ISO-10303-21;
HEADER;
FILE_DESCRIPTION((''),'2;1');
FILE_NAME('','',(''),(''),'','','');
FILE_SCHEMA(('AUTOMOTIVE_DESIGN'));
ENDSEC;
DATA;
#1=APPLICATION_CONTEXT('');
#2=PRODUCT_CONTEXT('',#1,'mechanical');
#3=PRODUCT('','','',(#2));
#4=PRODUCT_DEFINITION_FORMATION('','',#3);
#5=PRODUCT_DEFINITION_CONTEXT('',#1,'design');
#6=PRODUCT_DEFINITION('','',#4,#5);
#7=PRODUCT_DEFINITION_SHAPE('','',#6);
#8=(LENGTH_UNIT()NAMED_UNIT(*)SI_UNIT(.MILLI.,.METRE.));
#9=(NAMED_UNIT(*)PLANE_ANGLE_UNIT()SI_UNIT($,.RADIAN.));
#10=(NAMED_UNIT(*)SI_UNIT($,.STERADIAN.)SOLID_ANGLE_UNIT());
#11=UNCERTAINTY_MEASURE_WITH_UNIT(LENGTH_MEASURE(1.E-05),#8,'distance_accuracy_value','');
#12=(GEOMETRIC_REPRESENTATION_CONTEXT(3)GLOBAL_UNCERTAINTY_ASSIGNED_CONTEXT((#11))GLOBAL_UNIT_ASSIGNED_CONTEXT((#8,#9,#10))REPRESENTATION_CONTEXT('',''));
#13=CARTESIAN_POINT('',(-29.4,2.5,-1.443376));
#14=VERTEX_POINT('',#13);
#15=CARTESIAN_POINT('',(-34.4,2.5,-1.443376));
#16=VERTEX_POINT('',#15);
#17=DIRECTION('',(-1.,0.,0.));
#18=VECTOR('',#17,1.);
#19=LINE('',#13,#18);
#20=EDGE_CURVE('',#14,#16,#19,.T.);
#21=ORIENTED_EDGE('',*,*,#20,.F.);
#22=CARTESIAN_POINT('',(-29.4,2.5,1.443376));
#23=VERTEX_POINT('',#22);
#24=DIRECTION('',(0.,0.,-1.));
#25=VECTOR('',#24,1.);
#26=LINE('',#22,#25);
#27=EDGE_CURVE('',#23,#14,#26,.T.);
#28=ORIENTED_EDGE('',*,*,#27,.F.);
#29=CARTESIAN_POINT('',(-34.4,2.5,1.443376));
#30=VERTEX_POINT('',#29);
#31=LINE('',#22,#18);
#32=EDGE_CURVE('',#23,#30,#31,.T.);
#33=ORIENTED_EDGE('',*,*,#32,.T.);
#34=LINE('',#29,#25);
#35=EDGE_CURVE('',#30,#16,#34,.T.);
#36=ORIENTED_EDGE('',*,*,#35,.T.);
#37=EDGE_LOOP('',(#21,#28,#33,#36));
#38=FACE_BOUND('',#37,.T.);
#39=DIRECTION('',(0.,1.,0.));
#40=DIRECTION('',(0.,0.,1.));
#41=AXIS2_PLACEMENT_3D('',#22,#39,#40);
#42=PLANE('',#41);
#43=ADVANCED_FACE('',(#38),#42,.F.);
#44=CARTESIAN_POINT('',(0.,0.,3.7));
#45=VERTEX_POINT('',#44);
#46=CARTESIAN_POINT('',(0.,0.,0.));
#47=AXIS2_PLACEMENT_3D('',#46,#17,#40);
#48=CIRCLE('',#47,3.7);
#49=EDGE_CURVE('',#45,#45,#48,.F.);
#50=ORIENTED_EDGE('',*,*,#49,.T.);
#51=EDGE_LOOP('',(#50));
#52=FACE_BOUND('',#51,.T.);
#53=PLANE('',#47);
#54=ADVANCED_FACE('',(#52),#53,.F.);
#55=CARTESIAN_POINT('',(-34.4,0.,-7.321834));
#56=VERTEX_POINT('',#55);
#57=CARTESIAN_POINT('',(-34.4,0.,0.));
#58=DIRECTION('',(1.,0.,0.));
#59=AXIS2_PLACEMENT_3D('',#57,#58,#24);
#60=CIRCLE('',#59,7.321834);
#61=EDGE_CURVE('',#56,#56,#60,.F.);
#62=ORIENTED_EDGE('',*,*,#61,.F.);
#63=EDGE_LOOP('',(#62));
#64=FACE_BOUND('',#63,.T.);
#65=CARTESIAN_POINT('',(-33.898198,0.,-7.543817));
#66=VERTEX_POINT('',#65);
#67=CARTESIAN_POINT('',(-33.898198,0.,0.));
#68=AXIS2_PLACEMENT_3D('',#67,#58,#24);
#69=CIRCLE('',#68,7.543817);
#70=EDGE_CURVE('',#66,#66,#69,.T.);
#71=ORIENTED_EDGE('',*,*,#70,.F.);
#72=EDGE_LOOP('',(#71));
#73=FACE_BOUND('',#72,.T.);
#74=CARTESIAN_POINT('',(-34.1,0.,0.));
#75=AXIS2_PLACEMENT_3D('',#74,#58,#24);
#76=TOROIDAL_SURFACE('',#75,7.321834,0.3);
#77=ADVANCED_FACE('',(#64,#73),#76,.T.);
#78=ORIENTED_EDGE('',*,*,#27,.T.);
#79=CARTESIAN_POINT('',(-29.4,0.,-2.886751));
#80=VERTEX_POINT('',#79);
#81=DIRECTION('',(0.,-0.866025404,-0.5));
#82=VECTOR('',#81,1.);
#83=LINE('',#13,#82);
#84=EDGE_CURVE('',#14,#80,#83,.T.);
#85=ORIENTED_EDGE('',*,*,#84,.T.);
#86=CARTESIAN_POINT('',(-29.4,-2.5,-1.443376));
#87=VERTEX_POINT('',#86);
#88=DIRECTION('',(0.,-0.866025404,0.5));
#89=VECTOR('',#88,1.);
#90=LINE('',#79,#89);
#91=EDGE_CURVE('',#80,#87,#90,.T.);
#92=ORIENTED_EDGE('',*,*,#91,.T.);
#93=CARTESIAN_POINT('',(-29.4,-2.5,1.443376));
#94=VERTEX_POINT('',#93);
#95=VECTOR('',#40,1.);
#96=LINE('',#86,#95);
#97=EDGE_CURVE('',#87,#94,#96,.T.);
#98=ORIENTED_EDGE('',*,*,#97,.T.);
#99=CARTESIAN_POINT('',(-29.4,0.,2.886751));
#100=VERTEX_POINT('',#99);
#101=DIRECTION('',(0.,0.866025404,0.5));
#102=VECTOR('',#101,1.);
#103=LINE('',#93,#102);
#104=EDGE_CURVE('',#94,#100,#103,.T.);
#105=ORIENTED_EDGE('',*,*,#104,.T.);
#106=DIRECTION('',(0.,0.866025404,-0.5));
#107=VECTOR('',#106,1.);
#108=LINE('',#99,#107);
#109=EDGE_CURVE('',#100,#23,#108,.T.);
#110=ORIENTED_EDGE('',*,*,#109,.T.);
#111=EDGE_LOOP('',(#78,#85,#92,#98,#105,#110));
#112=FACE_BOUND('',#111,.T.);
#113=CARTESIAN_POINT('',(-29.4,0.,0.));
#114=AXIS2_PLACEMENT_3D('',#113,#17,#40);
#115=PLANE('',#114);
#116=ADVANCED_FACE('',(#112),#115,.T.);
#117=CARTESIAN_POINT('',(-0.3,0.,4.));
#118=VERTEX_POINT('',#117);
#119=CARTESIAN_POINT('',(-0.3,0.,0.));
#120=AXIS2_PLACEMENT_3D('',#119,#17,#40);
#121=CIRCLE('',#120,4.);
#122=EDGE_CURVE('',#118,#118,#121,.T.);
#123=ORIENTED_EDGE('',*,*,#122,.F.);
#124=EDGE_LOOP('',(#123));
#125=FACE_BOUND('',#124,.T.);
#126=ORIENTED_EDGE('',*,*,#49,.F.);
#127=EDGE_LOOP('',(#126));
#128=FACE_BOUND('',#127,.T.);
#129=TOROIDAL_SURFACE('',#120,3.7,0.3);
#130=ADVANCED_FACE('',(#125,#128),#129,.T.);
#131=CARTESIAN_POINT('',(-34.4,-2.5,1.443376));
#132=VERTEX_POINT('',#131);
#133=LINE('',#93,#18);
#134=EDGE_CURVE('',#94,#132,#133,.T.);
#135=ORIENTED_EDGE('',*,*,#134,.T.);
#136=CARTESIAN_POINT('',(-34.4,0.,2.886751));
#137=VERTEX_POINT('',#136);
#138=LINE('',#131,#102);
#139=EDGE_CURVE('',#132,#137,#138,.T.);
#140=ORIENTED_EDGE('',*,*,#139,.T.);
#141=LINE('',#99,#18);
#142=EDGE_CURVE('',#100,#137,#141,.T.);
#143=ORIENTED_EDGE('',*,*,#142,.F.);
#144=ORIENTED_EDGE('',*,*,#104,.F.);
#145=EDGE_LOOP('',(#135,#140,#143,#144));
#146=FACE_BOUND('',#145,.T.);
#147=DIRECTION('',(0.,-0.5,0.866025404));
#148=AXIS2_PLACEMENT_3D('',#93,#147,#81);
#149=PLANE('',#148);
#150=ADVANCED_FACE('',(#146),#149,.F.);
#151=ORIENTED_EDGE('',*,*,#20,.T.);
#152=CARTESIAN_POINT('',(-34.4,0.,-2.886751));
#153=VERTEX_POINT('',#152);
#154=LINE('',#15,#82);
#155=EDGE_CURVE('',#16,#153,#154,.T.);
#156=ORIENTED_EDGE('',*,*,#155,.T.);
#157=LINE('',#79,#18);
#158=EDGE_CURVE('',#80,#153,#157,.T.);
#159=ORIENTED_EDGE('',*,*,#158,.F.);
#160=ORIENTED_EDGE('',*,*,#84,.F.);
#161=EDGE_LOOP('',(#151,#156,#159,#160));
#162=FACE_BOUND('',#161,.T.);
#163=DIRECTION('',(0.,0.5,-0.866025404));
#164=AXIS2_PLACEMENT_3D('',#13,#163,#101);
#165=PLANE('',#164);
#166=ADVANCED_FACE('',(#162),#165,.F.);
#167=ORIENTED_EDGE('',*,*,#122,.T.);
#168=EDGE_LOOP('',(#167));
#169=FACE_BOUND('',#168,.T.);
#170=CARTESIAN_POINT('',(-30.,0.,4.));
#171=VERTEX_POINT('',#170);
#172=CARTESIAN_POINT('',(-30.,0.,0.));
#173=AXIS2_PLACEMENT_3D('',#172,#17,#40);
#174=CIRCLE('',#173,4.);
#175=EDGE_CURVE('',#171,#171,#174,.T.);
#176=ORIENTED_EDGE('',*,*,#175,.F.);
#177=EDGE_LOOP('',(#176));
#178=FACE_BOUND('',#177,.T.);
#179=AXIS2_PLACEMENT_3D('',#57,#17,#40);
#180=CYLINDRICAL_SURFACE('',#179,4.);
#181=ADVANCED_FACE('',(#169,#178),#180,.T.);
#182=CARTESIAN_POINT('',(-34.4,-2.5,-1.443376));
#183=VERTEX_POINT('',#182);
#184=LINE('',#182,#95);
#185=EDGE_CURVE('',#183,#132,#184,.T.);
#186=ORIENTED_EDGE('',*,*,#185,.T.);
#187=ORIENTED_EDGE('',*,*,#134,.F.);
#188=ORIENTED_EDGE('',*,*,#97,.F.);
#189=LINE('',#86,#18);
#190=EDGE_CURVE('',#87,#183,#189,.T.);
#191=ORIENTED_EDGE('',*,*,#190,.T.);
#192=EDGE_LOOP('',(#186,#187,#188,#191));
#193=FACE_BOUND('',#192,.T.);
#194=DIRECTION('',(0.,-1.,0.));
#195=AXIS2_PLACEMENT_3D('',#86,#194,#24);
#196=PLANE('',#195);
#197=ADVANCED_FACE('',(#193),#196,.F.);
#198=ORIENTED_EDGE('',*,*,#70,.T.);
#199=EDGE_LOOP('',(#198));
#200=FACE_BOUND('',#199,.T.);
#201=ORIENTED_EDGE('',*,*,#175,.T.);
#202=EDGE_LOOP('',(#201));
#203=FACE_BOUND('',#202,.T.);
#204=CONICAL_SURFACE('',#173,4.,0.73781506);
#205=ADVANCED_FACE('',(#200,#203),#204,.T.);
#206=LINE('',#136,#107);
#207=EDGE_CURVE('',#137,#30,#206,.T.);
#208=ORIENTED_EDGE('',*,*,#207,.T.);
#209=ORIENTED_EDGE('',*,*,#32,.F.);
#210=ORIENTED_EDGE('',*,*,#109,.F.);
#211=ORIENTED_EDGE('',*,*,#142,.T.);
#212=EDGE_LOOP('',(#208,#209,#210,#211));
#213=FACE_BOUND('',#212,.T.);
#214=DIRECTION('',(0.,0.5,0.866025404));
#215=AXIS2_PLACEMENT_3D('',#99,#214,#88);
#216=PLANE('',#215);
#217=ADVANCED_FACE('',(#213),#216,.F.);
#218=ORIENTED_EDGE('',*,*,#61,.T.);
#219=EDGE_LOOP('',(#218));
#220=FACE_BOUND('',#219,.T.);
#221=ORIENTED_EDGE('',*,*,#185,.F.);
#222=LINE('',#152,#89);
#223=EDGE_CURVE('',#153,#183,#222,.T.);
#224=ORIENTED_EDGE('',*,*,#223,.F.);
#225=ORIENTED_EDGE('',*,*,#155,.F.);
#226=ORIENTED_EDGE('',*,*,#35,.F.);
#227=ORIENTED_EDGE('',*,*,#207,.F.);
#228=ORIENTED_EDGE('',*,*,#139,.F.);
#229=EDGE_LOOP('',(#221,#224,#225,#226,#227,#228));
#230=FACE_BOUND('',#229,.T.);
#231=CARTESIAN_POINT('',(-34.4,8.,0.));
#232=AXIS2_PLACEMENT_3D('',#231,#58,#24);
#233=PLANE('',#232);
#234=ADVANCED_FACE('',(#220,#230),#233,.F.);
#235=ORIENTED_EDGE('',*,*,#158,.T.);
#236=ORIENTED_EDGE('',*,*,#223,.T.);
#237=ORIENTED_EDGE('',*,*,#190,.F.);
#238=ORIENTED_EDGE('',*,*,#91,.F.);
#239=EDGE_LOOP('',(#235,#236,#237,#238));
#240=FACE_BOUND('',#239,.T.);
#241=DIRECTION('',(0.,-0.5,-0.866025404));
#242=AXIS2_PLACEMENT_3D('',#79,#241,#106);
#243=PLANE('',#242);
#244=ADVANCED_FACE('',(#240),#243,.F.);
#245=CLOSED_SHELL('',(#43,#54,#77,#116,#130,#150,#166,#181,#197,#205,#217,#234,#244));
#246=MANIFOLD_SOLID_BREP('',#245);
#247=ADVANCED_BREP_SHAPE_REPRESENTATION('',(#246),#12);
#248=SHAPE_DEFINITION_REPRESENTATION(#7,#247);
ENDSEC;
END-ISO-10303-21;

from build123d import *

# Parameters (mm, degrees)
KES_EKSTR_ZYON1_DEPTH = 5
RADYUS2_R             = 0.3


with BuildPart() as part:
    # Çizim1 → Döndür1 (revolve)
    with BuildSketch(Plane.XY, mode=Mode.PRIVATE) as d_nd_r1_sk:
        Polygon((0, 0), (0, 4), (-30, 4), (-34.4, 8), (-34.4, 0), align=None)
    revolve(d_nd_r1_sk.sketch.rotate(Axis((-34.4, 0, 0), (1, 0, 0)), 90), axis=Axis((-34.4, 0, 0), (1, 0, 0)))

    # Çizim2 → Kes-Ekstrüzyon1 (cut)
    with BuildSketch(Plane.ZY.offset(34.4)):
        Polygon((2.886751346, 0), (1.443375673, 2.5), (-1.443375673, 2.5), (-2.886751346, 0), (-1.443375673, -2.5), (1.443375673, -2.5), align=None)
    extrude(amount=-KES_EKSTR_ZYON1_DEPTH, mode=Mode.SUBTRACT)

    # Radyus2
    radyus2_edges = [part.edges().sort_by_distance(p)[0] for p in [
        (-34.4, 0, -8),
        (0, 0, -4),
    ]]
    fillet(radyus2_edges, radius=RADYUS2_R)


solid = part.part
